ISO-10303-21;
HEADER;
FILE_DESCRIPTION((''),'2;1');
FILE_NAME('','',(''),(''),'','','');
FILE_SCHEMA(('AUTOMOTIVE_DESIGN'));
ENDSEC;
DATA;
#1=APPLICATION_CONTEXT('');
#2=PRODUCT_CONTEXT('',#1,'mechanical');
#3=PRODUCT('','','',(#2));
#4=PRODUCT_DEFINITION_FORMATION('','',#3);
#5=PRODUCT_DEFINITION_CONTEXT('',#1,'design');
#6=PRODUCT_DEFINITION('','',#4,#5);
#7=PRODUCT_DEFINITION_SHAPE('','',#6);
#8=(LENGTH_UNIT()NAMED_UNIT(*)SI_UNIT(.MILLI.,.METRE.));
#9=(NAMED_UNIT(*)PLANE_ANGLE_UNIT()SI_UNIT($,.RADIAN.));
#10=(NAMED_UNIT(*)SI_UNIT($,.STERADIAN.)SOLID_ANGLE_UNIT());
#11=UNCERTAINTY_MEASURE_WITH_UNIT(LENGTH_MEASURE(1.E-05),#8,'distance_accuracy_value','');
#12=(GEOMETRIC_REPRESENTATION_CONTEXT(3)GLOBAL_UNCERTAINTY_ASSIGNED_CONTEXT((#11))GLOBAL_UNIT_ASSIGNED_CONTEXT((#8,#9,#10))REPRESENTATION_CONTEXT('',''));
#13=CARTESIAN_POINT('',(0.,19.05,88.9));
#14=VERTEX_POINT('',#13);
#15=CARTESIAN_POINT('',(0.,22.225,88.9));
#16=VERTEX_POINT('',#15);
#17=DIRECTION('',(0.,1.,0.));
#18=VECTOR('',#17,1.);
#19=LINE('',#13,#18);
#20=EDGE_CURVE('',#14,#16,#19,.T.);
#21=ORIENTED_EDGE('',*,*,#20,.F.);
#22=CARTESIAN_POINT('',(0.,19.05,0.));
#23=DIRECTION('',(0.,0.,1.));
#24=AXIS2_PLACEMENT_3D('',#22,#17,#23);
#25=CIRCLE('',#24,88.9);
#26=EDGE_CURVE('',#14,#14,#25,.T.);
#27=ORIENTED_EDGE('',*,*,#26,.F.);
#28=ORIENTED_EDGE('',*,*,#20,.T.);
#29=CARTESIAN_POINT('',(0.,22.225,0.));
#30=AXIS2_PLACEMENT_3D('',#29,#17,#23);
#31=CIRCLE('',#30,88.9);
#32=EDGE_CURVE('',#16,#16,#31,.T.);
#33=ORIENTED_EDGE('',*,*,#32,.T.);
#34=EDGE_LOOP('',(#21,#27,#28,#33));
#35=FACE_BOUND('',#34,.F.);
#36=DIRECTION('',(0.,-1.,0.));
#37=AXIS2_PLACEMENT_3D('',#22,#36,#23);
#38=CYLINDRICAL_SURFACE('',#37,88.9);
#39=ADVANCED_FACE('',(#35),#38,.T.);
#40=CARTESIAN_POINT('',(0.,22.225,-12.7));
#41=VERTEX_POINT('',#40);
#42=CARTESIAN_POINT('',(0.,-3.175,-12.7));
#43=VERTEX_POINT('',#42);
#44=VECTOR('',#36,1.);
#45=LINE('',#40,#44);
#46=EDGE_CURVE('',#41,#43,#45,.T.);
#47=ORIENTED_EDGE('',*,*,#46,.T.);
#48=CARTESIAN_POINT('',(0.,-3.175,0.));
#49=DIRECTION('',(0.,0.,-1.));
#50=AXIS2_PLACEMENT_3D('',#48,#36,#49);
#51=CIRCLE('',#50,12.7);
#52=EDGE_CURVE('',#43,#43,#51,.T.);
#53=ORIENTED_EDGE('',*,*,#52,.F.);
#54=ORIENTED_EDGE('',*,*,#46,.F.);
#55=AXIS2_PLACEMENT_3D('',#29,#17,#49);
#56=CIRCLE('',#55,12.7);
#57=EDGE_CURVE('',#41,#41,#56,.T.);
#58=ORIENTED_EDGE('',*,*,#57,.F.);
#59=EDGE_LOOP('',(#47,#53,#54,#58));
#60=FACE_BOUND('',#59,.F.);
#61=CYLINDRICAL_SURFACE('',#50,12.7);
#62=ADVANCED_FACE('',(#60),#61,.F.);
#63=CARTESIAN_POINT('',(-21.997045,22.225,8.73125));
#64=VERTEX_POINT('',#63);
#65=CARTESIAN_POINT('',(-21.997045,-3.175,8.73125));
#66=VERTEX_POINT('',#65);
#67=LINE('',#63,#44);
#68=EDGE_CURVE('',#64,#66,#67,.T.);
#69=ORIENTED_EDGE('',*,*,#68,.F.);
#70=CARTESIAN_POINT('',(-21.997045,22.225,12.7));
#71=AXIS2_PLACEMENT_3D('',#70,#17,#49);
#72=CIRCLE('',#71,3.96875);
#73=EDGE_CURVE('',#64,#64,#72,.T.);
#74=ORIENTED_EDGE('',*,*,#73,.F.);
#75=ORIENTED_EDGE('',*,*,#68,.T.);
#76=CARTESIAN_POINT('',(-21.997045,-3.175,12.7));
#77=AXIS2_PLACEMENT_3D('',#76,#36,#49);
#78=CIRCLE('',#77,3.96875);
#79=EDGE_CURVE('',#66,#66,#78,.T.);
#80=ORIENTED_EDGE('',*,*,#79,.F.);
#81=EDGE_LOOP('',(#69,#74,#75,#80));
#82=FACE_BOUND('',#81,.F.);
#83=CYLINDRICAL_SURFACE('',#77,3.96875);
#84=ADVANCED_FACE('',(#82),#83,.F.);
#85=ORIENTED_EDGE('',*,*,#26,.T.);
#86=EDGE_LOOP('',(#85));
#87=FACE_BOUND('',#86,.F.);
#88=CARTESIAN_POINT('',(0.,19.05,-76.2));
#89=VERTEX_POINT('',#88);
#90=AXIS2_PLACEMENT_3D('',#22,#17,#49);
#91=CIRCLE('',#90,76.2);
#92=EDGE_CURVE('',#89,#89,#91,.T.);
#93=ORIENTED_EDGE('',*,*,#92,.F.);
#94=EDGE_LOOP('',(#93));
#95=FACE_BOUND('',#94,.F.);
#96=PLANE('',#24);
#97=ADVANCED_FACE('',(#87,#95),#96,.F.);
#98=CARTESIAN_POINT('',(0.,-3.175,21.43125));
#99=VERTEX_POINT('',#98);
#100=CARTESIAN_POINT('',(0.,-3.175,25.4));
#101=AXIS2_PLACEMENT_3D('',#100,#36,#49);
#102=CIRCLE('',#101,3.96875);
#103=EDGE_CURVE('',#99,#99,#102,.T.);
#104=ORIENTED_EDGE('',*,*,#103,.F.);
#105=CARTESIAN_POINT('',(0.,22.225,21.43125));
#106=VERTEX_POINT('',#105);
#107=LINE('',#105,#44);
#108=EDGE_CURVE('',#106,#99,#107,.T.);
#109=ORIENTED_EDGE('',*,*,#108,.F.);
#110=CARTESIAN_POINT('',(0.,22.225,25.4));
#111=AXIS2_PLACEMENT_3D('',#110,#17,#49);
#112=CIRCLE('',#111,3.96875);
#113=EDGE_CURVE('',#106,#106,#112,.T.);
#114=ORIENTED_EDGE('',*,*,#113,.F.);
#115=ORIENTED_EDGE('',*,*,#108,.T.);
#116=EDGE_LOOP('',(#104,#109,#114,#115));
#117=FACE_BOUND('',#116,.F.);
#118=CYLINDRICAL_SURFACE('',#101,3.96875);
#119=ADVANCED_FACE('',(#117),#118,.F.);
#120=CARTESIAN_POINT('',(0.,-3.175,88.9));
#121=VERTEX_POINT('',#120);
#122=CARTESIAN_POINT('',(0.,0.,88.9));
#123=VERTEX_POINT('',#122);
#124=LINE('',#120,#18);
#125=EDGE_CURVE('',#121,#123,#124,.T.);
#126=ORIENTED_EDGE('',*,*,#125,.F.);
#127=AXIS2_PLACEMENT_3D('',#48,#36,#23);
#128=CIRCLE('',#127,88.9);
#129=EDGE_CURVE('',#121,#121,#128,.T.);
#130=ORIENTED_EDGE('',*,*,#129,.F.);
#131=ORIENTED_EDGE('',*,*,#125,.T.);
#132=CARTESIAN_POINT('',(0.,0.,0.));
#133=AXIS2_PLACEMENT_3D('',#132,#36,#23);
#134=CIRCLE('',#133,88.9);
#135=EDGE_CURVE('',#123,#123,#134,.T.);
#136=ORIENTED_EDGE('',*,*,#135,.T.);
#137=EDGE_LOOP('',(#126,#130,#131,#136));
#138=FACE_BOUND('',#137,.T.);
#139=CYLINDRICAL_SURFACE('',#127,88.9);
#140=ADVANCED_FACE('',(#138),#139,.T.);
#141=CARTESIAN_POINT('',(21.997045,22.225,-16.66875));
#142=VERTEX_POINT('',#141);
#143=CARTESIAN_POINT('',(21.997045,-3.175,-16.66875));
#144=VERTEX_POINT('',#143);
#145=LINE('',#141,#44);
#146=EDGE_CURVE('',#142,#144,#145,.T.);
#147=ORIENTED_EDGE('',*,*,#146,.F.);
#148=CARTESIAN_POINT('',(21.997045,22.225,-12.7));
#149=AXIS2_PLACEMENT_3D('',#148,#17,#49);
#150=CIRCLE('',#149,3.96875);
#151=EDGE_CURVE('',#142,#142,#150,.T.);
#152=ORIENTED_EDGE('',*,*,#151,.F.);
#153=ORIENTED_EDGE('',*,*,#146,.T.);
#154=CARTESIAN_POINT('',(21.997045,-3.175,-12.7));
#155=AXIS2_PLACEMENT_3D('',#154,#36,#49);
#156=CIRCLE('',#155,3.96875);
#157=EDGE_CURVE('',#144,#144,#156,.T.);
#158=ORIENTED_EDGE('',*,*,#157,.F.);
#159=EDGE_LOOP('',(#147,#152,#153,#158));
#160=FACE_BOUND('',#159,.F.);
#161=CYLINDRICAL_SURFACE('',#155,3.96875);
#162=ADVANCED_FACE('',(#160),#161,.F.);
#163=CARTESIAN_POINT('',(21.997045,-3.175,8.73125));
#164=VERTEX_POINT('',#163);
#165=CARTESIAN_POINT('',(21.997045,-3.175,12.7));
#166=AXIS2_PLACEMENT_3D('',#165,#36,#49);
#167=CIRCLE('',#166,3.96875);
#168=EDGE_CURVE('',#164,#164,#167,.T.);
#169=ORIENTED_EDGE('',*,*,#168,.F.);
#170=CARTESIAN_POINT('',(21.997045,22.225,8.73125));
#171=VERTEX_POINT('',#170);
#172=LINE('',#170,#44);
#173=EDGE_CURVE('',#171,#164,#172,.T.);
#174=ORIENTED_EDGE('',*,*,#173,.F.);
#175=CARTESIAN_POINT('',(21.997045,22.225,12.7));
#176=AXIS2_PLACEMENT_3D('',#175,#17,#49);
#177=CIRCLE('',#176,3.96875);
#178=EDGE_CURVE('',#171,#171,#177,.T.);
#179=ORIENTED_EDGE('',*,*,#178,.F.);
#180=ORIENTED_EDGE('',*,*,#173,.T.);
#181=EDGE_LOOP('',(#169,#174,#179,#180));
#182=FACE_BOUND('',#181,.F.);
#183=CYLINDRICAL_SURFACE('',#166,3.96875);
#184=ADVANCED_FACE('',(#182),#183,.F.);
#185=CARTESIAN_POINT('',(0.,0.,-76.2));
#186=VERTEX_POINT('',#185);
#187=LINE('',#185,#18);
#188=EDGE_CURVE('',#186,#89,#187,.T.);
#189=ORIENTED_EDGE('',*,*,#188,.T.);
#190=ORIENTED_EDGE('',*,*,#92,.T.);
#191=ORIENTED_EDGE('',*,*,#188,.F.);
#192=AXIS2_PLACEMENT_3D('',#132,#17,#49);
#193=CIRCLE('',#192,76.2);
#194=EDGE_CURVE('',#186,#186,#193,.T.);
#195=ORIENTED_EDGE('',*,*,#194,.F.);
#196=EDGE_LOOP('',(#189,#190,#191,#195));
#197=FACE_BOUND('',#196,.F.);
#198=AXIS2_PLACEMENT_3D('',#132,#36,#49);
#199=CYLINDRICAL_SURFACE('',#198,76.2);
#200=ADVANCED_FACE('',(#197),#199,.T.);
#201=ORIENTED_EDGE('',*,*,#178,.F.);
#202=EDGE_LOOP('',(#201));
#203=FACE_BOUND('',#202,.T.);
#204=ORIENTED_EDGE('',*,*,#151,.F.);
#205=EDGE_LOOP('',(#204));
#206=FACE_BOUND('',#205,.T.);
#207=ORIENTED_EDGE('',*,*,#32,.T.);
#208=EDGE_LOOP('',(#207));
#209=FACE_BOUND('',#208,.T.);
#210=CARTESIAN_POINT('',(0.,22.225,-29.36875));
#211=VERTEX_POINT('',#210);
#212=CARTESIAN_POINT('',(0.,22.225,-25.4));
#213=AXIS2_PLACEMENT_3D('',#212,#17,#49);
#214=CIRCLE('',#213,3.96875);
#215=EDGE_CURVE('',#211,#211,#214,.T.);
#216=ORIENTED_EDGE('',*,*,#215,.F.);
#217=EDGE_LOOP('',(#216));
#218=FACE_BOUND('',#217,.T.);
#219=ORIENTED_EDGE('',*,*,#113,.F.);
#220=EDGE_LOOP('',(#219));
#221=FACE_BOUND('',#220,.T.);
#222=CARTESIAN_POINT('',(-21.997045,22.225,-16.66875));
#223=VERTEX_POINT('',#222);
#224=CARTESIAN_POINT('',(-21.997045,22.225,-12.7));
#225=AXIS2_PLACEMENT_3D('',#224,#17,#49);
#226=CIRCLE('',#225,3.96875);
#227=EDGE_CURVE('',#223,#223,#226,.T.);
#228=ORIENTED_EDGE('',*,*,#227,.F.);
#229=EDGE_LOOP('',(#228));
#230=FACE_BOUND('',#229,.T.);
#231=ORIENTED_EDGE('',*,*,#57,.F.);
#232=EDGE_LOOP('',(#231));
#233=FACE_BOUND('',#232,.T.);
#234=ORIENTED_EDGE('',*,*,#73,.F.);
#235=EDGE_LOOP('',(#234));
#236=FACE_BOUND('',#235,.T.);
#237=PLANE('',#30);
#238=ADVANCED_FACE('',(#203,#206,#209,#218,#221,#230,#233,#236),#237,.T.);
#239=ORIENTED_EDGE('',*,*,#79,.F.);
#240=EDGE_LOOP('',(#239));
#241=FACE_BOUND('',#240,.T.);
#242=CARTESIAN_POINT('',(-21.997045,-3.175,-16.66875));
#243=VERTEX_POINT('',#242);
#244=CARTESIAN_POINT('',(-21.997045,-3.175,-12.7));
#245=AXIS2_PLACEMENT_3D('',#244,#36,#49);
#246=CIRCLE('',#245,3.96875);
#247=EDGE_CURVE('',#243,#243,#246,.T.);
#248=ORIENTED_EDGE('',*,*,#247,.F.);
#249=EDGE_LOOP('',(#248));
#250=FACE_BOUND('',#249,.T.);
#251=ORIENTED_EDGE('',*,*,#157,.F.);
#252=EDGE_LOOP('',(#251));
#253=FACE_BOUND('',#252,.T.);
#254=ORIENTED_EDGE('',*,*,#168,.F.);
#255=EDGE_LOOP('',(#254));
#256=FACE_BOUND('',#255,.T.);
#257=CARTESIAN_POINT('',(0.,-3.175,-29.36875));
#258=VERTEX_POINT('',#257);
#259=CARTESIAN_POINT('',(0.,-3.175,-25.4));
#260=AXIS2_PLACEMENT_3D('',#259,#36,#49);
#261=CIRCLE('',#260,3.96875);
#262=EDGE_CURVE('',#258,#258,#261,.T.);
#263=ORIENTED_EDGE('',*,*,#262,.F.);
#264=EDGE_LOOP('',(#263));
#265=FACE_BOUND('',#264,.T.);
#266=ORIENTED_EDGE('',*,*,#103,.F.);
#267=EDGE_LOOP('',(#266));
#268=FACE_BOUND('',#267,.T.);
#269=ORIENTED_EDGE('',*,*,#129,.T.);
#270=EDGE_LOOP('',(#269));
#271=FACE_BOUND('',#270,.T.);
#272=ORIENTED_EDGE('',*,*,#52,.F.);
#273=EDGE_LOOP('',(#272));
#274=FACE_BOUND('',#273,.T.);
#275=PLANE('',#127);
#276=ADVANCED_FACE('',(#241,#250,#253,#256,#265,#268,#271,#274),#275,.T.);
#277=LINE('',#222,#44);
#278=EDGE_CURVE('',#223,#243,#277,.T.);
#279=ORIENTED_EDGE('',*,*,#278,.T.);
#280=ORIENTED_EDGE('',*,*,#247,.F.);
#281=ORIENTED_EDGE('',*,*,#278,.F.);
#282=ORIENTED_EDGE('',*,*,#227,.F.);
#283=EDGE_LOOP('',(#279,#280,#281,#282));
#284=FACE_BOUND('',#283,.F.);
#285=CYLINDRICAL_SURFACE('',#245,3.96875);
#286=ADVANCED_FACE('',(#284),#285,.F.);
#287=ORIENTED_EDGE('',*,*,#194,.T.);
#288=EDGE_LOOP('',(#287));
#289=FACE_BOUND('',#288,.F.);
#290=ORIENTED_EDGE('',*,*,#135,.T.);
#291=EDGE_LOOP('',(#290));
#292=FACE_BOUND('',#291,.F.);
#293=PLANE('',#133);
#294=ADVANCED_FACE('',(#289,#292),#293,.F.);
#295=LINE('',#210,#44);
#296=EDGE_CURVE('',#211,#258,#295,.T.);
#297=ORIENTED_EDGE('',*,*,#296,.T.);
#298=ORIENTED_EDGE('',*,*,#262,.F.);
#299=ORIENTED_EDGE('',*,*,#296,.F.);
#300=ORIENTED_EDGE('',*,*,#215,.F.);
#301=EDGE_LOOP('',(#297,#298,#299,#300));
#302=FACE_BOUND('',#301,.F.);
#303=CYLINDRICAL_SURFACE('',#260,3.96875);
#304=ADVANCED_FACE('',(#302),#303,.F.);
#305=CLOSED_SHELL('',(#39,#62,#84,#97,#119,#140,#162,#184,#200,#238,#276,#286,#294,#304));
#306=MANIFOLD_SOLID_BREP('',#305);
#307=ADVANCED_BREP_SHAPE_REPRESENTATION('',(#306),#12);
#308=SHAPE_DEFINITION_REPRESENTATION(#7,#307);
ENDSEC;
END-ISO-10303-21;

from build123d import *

# Parameters (mm, degrees)
SKETCH2_R           = 76.2
SKETCH2_R_2         = 3.96875
SKETCH2_R_3         = 12.7
BOSS_EXTRUDE1_DEPTH = 19.05
SKETCH3_R           = 88.9
SKETCH3_R_2         = 3.96875
SKETCH3_R_3         = 12.7
BOSS_EXTRUDE2_DEPTH = 3.175
BOSS_EXTRUDE3_START = 3.175
SKETCH4_R           = 88.9
SKETCH4_R_2         = 12.7
SKETCH4_R_3         = 3.96875
BOSS_EXTRUDE3_DEPTH = 3.175


with BuildPart() as part:
    # Sketch2 → Boss-Extrude1 (new body)
    with BuildSketch(Plane(origin=(0, 0, 0), x_dir=(1, 0, 0), z_dir=(0, 1, 0))):
        with Locations(Location((0, 0, 0), (0, 0, 90))):
            Circle(SKETCH2_R)
        with Locations(Location((0, 25.4, 0), (0, 0, 90))):
            Circle(SKETCH2_R_2, mode=Mode.SUBTRACT)
        with Locations(Location((21.997045256, 12.7, 0), (0, 0, 90))):
            Circle(SKETCH2_R_2, mode=Mode.SUBTRACT)
        with Locations(Location((21.997045256, -12.7, 0), (0, 0, 90))):
            Circle(SKETCH2_R_2, mode=Mode.SUBTRACT)
        with Locations(Location((0, -25.4, 0), (0, 0, 90))):
            Circle(SKETCH2_R_2, mode=Mode.SUBTRACT)
        with Locations(Location((-21.997045256, -12.7, 0), (0, 0, 90))):
            Circle(SKETCH2_R_2, mode=Mode.SUBTRACT)
        with Locations(Location((-21.997045256, 12.7, 0), (0, 0, 90))):
            Circle(SKETCH2_R_2, mode=Mode.SUBTRACT)
        with Locations(Location((0, 0, 0), (0, 0, 90))):
            Circle(SKETCH2_R_3, mode=Mode.SUBTRACT)
    extrude(amount=BOSS_EXTRUDE1_DEPTH)

    # Sketch3 → Boss-Extrude2 (add)
    with BuildSketch(Plane(origin=(0, 19.05, 0), x_dir=(1, 0, 0), z_dir=(0, 1, 0))):
        with Locations(Location((0, 0, 0), (0, 0, 270))):
            Circle(SKETCH3_R)
        with Locations(Location((0, 25.4, 0), (0, 0, 90))):
            Circle(SKETCH3_R_2, mode=Mode.SUBTRACT)
        with Locations(Location((21.997045256, 12.7, 0), (0, 0, 90))):
            Circle(SKETCH3_R_2, mode=Mode.SUBTRACT)
        with Locations(Location((21.997045256, -12.7, 0), (0, 0, 90))):
            Circle(SKETCH3_R_2, mode=Mode.SUBTRACT)
        with Locations(Location((0, -25.4, 0), (0, 0, 90))):
            Circle(SKETCH3_R_2, mode=Mode.SUBTRACT)
        with Locations(Location((-21.997045256, -12.7, 0), (0, 0, 90))):
            Circle(SKETCH3_R_2, mode=Mode.SUBTRACT)
        with Locations(Location((0, 0, 0), (0, 0, 90))):
            Circle(SKETCH3_R_3, mode=Mode.SUBTRACT)
        with Locations(Location((-21.997045256, 12.7, 0), (0, 0, 90))):
            Circle(SKETCH3_R_2, mode=Mode.SUBTRACT)
    extrude(amount=BOSS_EXTRUDE2_DEPTH)

    # Sketch4 → Boss-Extrude3 (add)
    with BuildSketch(Plane.XZ.offset(BOSS_EXTRUDE3_START)):
        with Locations(Location((0, 0, 0), (0, 0, 90))):
            Circle(SKETCH4_R)
        with Locations(Location((0, 0, 0), (0, 0, 270))):
            Circle(SKETCH4_R_2, mode=Mode.SUBTRACT)
        with Locations(Location((-21.997045256, -12.7, 0), (0, 0, 270))):
            Circle(SKETCH4_R_3, mode=Mode.SUBTRACT)
        with Locations(Location((0, -25.4, 0), (0, 0, 270))):
            Circle(SKETCH4_R_3, mode=Mode.SUBTRACT)
        with Locations(Location((21.997045256, -12.7, 0), (0, 0, 270))):
            Circle(SKETCH4_R_3, mode=Mode.SUBTRACT)
        with Locations(Location((21.997045256, 12.7, 0), (0, 0, 270))):
            Circle(SKETCH4_R_3, mode=Mode.SUBTRACT)
        with Locations(Location((0, 25.4, 0), (0, 0, 270))):
            Circle(SKETCH4_R_3, mode=Mode.SUBTRACT)
        with Locations(Location((-21.997045256, 12.7, 0), (0, 0, 270))):
            Circle(SKETCH4_R_3, mode=Mode.SUBTRACT)
    extrude(amount=-BOSS_EXTRUDE3_DEPTH)


solid = part.part
